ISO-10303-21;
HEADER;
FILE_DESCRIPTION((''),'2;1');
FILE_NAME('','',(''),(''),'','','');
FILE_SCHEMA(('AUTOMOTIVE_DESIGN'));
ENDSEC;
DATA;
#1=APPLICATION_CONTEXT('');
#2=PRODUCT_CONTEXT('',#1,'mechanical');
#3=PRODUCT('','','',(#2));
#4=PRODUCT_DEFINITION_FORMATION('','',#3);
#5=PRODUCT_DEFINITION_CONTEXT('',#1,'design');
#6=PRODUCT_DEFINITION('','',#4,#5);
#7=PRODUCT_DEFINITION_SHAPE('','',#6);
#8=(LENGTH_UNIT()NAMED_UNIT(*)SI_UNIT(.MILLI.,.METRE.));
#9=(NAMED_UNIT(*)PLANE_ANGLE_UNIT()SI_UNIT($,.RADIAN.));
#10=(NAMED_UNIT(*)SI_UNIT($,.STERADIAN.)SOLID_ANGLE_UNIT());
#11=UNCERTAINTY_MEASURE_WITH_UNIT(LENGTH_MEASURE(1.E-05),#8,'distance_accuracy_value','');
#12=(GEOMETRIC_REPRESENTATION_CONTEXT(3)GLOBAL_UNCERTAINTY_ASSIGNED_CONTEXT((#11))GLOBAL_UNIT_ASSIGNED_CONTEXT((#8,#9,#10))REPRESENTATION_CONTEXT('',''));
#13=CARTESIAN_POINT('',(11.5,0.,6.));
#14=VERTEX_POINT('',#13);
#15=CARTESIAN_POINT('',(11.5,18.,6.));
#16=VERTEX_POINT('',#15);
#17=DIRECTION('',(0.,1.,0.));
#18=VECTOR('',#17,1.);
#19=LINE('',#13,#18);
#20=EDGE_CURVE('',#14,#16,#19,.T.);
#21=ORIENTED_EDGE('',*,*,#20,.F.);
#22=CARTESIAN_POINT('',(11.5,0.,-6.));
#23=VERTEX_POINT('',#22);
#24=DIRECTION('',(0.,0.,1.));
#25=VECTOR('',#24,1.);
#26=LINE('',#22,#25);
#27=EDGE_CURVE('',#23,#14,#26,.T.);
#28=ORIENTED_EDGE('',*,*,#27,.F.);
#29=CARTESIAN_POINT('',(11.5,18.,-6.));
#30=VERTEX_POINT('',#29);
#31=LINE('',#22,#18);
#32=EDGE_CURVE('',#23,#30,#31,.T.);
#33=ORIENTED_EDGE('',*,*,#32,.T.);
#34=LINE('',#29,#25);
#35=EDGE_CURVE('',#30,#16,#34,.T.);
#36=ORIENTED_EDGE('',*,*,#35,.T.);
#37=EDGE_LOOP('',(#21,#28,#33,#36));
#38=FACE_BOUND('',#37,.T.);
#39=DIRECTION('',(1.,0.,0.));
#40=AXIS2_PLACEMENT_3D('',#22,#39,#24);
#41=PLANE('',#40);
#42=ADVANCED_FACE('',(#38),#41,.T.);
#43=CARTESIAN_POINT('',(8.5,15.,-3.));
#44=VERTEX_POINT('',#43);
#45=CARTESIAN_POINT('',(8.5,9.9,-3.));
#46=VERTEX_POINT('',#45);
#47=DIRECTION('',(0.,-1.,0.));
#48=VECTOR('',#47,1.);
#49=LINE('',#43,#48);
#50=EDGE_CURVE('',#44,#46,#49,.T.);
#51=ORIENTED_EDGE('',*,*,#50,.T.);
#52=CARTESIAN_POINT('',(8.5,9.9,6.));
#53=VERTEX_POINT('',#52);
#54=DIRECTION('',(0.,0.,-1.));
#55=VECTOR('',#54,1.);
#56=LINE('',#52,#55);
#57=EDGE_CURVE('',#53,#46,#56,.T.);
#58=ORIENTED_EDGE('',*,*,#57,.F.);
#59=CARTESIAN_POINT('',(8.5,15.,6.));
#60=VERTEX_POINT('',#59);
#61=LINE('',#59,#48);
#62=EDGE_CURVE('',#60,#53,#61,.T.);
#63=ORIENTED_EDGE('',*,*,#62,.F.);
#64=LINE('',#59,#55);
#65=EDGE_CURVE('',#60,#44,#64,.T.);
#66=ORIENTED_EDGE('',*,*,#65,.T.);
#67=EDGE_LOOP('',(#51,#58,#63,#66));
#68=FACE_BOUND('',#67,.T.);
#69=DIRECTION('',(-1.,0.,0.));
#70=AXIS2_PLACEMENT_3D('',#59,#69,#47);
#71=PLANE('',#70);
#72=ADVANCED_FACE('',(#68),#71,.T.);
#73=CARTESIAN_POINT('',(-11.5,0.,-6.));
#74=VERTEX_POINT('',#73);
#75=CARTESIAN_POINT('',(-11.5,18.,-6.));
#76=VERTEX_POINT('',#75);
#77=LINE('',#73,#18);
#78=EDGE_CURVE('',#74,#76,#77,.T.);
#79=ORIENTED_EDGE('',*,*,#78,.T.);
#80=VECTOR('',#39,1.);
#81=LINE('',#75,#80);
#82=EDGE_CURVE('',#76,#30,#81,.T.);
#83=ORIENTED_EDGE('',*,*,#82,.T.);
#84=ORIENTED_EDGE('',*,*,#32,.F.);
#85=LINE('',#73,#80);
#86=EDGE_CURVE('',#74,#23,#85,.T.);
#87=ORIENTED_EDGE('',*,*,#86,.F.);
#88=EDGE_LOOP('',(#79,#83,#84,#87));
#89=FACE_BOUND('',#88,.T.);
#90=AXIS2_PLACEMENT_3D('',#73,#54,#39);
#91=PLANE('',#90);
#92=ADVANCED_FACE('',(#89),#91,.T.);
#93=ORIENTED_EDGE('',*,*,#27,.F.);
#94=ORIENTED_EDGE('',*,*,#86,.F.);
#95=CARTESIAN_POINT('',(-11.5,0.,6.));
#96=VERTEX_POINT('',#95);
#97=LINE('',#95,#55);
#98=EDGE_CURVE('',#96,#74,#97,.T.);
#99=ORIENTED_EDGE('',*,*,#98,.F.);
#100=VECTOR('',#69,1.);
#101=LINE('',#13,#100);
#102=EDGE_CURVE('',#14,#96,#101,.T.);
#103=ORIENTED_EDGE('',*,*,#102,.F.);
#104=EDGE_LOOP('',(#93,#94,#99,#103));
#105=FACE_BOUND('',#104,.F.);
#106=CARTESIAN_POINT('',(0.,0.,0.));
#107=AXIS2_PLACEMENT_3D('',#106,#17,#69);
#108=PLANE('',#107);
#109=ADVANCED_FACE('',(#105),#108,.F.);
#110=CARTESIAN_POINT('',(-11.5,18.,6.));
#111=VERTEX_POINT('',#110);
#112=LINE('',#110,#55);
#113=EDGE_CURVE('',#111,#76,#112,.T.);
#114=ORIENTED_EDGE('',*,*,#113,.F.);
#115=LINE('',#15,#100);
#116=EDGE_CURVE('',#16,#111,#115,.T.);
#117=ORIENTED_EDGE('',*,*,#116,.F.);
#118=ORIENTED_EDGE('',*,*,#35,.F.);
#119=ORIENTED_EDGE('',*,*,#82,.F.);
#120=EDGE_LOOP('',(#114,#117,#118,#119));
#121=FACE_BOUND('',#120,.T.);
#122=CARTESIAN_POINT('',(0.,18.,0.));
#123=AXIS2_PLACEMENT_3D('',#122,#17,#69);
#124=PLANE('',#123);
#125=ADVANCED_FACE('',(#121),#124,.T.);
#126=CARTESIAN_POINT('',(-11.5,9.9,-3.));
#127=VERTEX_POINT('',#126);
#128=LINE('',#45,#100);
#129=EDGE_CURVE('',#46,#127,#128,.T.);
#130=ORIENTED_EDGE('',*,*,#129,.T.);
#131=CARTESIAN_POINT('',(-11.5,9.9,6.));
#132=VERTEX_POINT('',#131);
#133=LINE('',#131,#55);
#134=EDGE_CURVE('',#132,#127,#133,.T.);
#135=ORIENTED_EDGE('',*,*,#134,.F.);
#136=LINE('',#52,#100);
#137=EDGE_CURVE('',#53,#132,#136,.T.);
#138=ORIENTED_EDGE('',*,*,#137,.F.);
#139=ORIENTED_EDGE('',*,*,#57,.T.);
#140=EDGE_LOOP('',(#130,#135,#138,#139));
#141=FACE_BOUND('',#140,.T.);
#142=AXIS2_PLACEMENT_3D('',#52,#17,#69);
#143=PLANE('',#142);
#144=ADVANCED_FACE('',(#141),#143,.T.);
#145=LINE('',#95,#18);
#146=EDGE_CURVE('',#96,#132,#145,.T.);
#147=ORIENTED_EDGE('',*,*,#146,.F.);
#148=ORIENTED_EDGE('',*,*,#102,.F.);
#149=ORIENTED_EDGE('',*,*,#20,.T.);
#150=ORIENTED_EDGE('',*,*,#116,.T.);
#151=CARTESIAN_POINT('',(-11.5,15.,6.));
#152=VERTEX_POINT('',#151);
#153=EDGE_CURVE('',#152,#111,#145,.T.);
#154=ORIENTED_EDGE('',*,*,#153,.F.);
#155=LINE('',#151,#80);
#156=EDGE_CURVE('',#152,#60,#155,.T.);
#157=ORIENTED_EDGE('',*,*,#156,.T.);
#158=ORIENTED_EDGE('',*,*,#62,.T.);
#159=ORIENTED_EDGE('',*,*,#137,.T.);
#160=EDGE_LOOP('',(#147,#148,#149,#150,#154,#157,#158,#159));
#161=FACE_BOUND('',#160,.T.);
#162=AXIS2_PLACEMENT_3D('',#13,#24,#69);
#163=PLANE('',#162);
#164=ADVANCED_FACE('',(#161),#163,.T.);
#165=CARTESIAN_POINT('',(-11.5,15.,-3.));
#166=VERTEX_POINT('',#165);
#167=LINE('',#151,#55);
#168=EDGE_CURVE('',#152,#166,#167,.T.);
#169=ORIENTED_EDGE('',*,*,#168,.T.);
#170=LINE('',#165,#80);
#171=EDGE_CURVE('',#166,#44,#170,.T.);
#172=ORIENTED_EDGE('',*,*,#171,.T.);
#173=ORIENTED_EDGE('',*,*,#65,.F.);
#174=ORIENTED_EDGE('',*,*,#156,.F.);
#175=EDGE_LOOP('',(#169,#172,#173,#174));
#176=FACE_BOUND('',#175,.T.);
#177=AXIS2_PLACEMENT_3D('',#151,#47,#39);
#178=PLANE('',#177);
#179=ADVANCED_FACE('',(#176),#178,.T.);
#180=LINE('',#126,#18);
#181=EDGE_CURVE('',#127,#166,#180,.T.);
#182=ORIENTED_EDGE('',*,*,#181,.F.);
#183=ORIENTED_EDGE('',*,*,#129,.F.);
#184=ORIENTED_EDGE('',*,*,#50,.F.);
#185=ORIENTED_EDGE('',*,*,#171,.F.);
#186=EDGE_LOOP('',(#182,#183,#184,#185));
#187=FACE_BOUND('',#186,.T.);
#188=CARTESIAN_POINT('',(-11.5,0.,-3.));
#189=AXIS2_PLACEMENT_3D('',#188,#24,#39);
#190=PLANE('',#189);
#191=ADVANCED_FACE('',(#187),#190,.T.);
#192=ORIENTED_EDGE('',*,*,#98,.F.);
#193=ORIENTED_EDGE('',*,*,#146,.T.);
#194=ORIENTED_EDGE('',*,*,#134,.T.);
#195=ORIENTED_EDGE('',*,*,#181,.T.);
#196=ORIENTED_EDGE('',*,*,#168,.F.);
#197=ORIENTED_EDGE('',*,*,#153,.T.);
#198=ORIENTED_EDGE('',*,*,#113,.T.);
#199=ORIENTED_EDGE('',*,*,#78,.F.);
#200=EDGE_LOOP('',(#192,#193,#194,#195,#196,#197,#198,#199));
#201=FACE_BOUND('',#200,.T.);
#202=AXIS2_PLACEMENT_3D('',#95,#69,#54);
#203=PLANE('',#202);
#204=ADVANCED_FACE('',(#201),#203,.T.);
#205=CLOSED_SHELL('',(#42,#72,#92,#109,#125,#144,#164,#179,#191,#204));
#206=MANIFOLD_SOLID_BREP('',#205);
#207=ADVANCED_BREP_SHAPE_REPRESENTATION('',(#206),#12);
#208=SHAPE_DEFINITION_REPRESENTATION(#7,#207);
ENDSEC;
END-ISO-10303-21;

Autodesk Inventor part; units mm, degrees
ref_plane "YZ Plane" through (0, 0, 0) normal (1, 0, 0) x (0, 1, 0)
ref_plane "XZ Plane" through (0, 0, 0) normal (0, 1, 0) x (-1, 0, 0)
ref_plane "XY Plane" through (0, 0, 0) normal (0, 0, 1) x (1, 0, 0)
sketch "base" plane through (0, 0, 0) normal (0, 1, 0) x (-1, 0, 0)
  line L0 (-11.5, 6) -> (11.5, 6)
  line L1 (11.5, 6) -> (11.5, -6)
  line L2 (11.5, -6) -> (-11.5, -6)
  line L3 (-11.5, -6) -> (-11.5, 6)
  line L4 (-11.5, 6) -> (11.5, -6) construction
  line L5 (11.5, 6) -> (-11.5, -6) construction
  point P0 (0, 0)
  dimension "d0" = 23
  dimension "d1" = 12
extrude "Extrusion1" add sketch "base" along normal blind 18
sketch "Sketch3" plane through (-11.5, 0, 6) normal (0, 0, 1) x (1, 0, 0)
  line L0 (20, 9.9) -> (0, 9.9)
  line L1 (0, 9.9) -> (0, 15)
  line L2 (0, 15) -> (20, 15)
  line L3 (20, 15) -> (20, 9.9)
  line L4 (0, 0) -> (0, 18) projected
  line L5 (0, 18) -> (23, 18) projected
  line L6 (23, 0) -> (23, 18) projected
  point P0 (11.5, 0)
  dimension "d9" = 5.1
  dimension "d10" = 3
  dimension "d11" = 3
extrude "Extrusion3" cut sketch "Sketch3" against normal blind 9
equation "\"d11\" = d10"
properties part number "peg_TR"
